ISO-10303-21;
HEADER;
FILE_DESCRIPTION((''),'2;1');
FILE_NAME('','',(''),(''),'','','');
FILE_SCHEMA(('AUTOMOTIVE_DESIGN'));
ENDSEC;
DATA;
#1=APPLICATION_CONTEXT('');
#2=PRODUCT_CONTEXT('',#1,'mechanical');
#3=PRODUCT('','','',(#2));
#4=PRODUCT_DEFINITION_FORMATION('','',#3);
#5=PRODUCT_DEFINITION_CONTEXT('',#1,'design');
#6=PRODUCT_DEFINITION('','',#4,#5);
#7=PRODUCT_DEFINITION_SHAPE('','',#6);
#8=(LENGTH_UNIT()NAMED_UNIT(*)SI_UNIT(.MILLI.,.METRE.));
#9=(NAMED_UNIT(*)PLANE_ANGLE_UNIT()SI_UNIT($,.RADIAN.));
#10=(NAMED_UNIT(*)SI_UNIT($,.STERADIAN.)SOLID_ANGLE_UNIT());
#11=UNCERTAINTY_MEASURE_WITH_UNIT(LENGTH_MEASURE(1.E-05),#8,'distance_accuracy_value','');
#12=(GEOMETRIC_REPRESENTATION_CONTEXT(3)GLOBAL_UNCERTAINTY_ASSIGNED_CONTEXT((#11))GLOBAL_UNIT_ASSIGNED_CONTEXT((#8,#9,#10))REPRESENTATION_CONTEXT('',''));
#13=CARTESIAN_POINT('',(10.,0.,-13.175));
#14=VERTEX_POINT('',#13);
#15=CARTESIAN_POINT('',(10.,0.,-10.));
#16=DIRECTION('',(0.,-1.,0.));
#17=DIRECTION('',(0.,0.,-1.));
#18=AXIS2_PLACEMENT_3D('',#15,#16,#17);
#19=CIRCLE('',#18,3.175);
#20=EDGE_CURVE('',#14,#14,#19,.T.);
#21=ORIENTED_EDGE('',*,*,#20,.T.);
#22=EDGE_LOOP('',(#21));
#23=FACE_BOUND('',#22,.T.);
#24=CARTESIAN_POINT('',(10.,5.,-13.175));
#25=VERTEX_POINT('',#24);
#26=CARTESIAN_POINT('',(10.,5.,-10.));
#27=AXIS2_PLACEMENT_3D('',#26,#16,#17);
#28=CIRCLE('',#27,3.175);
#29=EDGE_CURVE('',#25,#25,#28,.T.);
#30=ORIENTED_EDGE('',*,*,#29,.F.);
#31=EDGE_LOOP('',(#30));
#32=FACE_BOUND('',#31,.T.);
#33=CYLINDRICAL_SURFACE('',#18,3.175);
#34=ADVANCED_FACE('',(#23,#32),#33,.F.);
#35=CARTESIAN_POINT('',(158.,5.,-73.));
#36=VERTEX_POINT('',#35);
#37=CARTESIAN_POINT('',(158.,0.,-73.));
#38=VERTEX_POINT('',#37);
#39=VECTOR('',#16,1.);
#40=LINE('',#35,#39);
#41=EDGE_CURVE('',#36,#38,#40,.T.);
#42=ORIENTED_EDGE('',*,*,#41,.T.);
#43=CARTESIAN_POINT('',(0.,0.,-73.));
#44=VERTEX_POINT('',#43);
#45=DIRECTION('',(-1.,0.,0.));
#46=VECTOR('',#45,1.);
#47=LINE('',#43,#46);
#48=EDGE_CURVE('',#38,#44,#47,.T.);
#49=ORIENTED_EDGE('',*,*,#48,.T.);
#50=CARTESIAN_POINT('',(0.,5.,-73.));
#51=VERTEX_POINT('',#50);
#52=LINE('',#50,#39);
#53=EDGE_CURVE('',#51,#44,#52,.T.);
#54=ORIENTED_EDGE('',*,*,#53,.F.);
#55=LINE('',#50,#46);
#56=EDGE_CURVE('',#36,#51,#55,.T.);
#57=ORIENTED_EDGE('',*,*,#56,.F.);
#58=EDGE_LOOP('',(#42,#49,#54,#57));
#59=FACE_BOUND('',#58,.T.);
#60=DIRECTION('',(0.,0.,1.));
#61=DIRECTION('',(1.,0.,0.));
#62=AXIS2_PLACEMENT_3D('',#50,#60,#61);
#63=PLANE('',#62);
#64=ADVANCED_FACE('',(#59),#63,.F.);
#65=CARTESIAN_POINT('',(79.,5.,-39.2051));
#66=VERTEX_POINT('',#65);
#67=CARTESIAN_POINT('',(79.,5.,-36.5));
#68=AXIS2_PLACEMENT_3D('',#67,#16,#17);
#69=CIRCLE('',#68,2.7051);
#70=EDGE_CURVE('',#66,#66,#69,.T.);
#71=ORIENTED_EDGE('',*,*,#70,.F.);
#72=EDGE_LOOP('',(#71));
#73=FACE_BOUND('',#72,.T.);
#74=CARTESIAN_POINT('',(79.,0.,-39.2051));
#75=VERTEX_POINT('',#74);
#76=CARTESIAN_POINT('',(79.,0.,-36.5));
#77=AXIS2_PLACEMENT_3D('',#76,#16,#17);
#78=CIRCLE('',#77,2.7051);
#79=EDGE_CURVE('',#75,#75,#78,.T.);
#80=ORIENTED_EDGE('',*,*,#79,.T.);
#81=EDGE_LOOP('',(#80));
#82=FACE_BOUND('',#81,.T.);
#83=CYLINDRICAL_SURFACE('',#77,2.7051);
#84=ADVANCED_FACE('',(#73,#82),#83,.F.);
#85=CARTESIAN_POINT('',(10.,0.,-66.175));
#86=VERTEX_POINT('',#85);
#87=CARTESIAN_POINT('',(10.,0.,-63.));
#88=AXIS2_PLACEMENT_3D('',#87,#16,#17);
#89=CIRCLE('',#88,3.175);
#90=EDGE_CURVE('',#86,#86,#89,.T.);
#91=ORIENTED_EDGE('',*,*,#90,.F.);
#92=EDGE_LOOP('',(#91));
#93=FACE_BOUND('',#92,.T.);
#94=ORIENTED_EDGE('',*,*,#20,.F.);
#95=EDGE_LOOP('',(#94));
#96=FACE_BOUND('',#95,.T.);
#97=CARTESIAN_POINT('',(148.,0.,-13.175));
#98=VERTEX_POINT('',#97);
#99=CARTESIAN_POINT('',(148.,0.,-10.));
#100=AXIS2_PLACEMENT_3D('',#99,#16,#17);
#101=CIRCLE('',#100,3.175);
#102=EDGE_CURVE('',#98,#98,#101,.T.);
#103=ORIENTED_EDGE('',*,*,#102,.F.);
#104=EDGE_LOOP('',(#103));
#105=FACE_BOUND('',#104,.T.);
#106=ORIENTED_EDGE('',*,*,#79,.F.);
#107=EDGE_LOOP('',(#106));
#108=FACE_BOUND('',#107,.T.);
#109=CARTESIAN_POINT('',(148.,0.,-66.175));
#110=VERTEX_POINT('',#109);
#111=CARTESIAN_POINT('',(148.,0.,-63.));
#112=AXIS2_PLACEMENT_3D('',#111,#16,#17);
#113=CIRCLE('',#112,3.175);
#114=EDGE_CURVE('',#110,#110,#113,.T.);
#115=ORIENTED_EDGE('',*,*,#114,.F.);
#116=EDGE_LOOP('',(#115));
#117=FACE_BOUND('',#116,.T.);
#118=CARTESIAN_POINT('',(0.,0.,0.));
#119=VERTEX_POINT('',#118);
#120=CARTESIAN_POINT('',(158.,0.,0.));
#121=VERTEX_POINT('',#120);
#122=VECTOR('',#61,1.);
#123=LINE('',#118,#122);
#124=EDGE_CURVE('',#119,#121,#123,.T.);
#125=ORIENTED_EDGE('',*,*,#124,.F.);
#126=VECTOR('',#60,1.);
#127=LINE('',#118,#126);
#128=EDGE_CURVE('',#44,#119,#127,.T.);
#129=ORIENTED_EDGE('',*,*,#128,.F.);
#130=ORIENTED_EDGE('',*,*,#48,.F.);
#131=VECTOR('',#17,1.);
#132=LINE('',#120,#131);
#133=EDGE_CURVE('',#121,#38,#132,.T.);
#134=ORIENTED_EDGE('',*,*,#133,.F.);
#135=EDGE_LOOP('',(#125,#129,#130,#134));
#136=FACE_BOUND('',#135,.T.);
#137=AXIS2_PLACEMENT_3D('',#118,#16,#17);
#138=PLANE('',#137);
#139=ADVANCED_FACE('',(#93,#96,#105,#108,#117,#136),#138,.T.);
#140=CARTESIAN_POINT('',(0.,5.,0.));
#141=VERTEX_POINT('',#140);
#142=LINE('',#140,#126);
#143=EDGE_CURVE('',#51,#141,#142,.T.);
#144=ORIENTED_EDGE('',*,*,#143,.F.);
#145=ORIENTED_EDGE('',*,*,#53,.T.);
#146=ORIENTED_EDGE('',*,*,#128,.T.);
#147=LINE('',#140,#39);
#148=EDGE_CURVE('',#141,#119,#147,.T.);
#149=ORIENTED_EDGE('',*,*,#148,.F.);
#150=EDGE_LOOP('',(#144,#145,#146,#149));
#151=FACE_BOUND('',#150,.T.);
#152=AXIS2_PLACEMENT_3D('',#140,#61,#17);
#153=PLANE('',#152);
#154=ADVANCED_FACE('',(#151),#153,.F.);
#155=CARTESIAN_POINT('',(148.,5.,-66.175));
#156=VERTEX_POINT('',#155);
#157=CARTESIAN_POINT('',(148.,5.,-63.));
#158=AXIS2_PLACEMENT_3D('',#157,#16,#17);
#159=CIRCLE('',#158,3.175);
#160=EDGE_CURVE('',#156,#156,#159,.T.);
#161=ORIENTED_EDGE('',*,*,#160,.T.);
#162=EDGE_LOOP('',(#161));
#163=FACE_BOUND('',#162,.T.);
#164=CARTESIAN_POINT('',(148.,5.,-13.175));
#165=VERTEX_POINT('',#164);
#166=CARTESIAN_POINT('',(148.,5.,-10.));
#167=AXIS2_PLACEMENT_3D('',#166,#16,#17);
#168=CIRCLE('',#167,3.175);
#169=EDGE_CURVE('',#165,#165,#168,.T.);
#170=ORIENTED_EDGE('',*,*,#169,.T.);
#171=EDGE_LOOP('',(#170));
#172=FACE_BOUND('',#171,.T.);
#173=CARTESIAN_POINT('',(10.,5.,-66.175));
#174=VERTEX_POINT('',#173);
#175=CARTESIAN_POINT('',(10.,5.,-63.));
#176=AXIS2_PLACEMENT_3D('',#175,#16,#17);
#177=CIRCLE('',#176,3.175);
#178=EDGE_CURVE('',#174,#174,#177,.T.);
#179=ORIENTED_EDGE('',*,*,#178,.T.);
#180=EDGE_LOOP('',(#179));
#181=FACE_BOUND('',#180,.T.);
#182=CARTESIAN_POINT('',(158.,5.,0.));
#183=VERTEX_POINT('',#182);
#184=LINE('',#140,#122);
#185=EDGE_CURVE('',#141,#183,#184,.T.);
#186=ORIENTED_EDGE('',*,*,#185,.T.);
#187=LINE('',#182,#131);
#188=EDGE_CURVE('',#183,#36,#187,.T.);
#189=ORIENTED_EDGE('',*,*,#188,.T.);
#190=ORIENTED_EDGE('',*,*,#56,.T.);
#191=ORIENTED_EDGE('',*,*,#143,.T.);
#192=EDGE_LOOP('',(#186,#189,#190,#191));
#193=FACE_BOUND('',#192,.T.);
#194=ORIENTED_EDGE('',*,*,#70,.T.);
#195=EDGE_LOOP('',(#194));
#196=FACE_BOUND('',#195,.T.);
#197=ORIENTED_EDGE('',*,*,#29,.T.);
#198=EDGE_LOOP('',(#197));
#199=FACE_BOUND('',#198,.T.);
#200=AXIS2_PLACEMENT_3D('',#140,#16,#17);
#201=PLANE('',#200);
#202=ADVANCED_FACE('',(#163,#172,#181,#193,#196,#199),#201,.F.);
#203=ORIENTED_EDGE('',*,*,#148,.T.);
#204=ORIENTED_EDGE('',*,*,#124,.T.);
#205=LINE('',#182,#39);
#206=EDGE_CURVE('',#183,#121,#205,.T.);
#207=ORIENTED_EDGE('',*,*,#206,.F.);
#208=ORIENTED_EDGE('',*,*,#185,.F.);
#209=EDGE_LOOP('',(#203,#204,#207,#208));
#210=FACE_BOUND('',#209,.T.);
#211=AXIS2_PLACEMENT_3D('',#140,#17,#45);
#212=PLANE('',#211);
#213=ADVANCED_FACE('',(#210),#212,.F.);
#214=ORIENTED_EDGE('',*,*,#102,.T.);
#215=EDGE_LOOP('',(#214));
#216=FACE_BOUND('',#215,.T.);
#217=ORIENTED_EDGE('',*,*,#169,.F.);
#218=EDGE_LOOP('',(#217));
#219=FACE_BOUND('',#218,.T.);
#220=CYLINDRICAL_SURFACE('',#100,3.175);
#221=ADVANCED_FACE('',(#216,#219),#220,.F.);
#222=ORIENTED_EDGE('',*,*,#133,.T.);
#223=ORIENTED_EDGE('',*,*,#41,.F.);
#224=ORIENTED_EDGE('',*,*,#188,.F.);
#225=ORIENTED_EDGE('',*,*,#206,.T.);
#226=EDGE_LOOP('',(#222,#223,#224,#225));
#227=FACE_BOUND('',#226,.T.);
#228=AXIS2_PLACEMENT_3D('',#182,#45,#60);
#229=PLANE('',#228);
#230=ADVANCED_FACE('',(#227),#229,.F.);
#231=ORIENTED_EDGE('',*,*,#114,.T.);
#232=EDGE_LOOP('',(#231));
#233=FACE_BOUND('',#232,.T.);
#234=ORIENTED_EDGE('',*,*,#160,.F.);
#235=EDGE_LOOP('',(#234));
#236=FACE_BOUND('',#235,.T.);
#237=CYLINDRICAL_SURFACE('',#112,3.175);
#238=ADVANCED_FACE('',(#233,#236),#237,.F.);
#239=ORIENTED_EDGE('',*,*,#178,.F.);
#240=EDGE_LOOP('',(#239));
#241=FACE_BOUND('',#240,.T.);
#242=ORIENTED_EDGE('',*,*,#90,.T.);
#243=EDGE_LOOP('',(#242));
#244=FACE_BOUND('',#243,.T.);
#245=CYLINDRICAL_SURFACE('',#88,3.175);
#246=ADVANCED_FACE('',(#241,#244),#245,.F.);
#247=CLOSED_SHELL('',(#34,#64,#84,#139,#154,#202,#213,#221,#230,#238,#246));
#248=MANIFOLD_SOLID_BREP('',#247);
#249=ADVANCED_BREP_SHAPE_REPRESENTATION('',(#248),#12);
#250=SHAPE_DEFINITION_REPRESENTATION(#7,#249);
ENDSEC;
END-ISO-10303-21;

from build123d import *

# Parameters (mm, degrees)
SKETCH1_W                   = 158
SKETCH1_H                   = 73
RIGHT_WALL_DEPTH            = 5
F_1_4_0_2500_DOWEL_HOLE1_D  = 6.35
TAP_DRILL_FOR_1_4_28_TAP2_D = 5.4102


with BuildPart() as part:
    # Sketch1 → right wall (new body)
    with BuildSketch(Plane(origin=(0, 0, 0), x_dir=(1, 0, 0), z_dir=(0, 1, 0))):
        with Locations((79, 36.5)):
            Rectangle(SKETCH1_W, SKETCH1_H)
    extrude(amount=RIGHT_WALL_DEPTH)

    # 1/4 (0.2500) Dowel Hole1 (through all)
    with Locations(Plane(origin=(0, 0, 0), x_dir=(-1, 0, 0), z_dir=(0, -1, 0))):
        with Locations((-10, 10), (-10, 63), (-148, 63), (-148, 10)):
            Hole(F_1_4_0_2500_DOWEL_HOLE1_D / 2)

    # Tap Drill for 1/4-28 Tap2 (through all)
    with Locations(Plane(origin=(0, 0, 0), x_dir=(-1, 0, 0), z_dir=(0, -1, 0))):
        with Locations((-79, 36.5)):
            Hole(TAP_DRILL_FOR_1_4_28_TAP2_D / 2)


solid = part.part
